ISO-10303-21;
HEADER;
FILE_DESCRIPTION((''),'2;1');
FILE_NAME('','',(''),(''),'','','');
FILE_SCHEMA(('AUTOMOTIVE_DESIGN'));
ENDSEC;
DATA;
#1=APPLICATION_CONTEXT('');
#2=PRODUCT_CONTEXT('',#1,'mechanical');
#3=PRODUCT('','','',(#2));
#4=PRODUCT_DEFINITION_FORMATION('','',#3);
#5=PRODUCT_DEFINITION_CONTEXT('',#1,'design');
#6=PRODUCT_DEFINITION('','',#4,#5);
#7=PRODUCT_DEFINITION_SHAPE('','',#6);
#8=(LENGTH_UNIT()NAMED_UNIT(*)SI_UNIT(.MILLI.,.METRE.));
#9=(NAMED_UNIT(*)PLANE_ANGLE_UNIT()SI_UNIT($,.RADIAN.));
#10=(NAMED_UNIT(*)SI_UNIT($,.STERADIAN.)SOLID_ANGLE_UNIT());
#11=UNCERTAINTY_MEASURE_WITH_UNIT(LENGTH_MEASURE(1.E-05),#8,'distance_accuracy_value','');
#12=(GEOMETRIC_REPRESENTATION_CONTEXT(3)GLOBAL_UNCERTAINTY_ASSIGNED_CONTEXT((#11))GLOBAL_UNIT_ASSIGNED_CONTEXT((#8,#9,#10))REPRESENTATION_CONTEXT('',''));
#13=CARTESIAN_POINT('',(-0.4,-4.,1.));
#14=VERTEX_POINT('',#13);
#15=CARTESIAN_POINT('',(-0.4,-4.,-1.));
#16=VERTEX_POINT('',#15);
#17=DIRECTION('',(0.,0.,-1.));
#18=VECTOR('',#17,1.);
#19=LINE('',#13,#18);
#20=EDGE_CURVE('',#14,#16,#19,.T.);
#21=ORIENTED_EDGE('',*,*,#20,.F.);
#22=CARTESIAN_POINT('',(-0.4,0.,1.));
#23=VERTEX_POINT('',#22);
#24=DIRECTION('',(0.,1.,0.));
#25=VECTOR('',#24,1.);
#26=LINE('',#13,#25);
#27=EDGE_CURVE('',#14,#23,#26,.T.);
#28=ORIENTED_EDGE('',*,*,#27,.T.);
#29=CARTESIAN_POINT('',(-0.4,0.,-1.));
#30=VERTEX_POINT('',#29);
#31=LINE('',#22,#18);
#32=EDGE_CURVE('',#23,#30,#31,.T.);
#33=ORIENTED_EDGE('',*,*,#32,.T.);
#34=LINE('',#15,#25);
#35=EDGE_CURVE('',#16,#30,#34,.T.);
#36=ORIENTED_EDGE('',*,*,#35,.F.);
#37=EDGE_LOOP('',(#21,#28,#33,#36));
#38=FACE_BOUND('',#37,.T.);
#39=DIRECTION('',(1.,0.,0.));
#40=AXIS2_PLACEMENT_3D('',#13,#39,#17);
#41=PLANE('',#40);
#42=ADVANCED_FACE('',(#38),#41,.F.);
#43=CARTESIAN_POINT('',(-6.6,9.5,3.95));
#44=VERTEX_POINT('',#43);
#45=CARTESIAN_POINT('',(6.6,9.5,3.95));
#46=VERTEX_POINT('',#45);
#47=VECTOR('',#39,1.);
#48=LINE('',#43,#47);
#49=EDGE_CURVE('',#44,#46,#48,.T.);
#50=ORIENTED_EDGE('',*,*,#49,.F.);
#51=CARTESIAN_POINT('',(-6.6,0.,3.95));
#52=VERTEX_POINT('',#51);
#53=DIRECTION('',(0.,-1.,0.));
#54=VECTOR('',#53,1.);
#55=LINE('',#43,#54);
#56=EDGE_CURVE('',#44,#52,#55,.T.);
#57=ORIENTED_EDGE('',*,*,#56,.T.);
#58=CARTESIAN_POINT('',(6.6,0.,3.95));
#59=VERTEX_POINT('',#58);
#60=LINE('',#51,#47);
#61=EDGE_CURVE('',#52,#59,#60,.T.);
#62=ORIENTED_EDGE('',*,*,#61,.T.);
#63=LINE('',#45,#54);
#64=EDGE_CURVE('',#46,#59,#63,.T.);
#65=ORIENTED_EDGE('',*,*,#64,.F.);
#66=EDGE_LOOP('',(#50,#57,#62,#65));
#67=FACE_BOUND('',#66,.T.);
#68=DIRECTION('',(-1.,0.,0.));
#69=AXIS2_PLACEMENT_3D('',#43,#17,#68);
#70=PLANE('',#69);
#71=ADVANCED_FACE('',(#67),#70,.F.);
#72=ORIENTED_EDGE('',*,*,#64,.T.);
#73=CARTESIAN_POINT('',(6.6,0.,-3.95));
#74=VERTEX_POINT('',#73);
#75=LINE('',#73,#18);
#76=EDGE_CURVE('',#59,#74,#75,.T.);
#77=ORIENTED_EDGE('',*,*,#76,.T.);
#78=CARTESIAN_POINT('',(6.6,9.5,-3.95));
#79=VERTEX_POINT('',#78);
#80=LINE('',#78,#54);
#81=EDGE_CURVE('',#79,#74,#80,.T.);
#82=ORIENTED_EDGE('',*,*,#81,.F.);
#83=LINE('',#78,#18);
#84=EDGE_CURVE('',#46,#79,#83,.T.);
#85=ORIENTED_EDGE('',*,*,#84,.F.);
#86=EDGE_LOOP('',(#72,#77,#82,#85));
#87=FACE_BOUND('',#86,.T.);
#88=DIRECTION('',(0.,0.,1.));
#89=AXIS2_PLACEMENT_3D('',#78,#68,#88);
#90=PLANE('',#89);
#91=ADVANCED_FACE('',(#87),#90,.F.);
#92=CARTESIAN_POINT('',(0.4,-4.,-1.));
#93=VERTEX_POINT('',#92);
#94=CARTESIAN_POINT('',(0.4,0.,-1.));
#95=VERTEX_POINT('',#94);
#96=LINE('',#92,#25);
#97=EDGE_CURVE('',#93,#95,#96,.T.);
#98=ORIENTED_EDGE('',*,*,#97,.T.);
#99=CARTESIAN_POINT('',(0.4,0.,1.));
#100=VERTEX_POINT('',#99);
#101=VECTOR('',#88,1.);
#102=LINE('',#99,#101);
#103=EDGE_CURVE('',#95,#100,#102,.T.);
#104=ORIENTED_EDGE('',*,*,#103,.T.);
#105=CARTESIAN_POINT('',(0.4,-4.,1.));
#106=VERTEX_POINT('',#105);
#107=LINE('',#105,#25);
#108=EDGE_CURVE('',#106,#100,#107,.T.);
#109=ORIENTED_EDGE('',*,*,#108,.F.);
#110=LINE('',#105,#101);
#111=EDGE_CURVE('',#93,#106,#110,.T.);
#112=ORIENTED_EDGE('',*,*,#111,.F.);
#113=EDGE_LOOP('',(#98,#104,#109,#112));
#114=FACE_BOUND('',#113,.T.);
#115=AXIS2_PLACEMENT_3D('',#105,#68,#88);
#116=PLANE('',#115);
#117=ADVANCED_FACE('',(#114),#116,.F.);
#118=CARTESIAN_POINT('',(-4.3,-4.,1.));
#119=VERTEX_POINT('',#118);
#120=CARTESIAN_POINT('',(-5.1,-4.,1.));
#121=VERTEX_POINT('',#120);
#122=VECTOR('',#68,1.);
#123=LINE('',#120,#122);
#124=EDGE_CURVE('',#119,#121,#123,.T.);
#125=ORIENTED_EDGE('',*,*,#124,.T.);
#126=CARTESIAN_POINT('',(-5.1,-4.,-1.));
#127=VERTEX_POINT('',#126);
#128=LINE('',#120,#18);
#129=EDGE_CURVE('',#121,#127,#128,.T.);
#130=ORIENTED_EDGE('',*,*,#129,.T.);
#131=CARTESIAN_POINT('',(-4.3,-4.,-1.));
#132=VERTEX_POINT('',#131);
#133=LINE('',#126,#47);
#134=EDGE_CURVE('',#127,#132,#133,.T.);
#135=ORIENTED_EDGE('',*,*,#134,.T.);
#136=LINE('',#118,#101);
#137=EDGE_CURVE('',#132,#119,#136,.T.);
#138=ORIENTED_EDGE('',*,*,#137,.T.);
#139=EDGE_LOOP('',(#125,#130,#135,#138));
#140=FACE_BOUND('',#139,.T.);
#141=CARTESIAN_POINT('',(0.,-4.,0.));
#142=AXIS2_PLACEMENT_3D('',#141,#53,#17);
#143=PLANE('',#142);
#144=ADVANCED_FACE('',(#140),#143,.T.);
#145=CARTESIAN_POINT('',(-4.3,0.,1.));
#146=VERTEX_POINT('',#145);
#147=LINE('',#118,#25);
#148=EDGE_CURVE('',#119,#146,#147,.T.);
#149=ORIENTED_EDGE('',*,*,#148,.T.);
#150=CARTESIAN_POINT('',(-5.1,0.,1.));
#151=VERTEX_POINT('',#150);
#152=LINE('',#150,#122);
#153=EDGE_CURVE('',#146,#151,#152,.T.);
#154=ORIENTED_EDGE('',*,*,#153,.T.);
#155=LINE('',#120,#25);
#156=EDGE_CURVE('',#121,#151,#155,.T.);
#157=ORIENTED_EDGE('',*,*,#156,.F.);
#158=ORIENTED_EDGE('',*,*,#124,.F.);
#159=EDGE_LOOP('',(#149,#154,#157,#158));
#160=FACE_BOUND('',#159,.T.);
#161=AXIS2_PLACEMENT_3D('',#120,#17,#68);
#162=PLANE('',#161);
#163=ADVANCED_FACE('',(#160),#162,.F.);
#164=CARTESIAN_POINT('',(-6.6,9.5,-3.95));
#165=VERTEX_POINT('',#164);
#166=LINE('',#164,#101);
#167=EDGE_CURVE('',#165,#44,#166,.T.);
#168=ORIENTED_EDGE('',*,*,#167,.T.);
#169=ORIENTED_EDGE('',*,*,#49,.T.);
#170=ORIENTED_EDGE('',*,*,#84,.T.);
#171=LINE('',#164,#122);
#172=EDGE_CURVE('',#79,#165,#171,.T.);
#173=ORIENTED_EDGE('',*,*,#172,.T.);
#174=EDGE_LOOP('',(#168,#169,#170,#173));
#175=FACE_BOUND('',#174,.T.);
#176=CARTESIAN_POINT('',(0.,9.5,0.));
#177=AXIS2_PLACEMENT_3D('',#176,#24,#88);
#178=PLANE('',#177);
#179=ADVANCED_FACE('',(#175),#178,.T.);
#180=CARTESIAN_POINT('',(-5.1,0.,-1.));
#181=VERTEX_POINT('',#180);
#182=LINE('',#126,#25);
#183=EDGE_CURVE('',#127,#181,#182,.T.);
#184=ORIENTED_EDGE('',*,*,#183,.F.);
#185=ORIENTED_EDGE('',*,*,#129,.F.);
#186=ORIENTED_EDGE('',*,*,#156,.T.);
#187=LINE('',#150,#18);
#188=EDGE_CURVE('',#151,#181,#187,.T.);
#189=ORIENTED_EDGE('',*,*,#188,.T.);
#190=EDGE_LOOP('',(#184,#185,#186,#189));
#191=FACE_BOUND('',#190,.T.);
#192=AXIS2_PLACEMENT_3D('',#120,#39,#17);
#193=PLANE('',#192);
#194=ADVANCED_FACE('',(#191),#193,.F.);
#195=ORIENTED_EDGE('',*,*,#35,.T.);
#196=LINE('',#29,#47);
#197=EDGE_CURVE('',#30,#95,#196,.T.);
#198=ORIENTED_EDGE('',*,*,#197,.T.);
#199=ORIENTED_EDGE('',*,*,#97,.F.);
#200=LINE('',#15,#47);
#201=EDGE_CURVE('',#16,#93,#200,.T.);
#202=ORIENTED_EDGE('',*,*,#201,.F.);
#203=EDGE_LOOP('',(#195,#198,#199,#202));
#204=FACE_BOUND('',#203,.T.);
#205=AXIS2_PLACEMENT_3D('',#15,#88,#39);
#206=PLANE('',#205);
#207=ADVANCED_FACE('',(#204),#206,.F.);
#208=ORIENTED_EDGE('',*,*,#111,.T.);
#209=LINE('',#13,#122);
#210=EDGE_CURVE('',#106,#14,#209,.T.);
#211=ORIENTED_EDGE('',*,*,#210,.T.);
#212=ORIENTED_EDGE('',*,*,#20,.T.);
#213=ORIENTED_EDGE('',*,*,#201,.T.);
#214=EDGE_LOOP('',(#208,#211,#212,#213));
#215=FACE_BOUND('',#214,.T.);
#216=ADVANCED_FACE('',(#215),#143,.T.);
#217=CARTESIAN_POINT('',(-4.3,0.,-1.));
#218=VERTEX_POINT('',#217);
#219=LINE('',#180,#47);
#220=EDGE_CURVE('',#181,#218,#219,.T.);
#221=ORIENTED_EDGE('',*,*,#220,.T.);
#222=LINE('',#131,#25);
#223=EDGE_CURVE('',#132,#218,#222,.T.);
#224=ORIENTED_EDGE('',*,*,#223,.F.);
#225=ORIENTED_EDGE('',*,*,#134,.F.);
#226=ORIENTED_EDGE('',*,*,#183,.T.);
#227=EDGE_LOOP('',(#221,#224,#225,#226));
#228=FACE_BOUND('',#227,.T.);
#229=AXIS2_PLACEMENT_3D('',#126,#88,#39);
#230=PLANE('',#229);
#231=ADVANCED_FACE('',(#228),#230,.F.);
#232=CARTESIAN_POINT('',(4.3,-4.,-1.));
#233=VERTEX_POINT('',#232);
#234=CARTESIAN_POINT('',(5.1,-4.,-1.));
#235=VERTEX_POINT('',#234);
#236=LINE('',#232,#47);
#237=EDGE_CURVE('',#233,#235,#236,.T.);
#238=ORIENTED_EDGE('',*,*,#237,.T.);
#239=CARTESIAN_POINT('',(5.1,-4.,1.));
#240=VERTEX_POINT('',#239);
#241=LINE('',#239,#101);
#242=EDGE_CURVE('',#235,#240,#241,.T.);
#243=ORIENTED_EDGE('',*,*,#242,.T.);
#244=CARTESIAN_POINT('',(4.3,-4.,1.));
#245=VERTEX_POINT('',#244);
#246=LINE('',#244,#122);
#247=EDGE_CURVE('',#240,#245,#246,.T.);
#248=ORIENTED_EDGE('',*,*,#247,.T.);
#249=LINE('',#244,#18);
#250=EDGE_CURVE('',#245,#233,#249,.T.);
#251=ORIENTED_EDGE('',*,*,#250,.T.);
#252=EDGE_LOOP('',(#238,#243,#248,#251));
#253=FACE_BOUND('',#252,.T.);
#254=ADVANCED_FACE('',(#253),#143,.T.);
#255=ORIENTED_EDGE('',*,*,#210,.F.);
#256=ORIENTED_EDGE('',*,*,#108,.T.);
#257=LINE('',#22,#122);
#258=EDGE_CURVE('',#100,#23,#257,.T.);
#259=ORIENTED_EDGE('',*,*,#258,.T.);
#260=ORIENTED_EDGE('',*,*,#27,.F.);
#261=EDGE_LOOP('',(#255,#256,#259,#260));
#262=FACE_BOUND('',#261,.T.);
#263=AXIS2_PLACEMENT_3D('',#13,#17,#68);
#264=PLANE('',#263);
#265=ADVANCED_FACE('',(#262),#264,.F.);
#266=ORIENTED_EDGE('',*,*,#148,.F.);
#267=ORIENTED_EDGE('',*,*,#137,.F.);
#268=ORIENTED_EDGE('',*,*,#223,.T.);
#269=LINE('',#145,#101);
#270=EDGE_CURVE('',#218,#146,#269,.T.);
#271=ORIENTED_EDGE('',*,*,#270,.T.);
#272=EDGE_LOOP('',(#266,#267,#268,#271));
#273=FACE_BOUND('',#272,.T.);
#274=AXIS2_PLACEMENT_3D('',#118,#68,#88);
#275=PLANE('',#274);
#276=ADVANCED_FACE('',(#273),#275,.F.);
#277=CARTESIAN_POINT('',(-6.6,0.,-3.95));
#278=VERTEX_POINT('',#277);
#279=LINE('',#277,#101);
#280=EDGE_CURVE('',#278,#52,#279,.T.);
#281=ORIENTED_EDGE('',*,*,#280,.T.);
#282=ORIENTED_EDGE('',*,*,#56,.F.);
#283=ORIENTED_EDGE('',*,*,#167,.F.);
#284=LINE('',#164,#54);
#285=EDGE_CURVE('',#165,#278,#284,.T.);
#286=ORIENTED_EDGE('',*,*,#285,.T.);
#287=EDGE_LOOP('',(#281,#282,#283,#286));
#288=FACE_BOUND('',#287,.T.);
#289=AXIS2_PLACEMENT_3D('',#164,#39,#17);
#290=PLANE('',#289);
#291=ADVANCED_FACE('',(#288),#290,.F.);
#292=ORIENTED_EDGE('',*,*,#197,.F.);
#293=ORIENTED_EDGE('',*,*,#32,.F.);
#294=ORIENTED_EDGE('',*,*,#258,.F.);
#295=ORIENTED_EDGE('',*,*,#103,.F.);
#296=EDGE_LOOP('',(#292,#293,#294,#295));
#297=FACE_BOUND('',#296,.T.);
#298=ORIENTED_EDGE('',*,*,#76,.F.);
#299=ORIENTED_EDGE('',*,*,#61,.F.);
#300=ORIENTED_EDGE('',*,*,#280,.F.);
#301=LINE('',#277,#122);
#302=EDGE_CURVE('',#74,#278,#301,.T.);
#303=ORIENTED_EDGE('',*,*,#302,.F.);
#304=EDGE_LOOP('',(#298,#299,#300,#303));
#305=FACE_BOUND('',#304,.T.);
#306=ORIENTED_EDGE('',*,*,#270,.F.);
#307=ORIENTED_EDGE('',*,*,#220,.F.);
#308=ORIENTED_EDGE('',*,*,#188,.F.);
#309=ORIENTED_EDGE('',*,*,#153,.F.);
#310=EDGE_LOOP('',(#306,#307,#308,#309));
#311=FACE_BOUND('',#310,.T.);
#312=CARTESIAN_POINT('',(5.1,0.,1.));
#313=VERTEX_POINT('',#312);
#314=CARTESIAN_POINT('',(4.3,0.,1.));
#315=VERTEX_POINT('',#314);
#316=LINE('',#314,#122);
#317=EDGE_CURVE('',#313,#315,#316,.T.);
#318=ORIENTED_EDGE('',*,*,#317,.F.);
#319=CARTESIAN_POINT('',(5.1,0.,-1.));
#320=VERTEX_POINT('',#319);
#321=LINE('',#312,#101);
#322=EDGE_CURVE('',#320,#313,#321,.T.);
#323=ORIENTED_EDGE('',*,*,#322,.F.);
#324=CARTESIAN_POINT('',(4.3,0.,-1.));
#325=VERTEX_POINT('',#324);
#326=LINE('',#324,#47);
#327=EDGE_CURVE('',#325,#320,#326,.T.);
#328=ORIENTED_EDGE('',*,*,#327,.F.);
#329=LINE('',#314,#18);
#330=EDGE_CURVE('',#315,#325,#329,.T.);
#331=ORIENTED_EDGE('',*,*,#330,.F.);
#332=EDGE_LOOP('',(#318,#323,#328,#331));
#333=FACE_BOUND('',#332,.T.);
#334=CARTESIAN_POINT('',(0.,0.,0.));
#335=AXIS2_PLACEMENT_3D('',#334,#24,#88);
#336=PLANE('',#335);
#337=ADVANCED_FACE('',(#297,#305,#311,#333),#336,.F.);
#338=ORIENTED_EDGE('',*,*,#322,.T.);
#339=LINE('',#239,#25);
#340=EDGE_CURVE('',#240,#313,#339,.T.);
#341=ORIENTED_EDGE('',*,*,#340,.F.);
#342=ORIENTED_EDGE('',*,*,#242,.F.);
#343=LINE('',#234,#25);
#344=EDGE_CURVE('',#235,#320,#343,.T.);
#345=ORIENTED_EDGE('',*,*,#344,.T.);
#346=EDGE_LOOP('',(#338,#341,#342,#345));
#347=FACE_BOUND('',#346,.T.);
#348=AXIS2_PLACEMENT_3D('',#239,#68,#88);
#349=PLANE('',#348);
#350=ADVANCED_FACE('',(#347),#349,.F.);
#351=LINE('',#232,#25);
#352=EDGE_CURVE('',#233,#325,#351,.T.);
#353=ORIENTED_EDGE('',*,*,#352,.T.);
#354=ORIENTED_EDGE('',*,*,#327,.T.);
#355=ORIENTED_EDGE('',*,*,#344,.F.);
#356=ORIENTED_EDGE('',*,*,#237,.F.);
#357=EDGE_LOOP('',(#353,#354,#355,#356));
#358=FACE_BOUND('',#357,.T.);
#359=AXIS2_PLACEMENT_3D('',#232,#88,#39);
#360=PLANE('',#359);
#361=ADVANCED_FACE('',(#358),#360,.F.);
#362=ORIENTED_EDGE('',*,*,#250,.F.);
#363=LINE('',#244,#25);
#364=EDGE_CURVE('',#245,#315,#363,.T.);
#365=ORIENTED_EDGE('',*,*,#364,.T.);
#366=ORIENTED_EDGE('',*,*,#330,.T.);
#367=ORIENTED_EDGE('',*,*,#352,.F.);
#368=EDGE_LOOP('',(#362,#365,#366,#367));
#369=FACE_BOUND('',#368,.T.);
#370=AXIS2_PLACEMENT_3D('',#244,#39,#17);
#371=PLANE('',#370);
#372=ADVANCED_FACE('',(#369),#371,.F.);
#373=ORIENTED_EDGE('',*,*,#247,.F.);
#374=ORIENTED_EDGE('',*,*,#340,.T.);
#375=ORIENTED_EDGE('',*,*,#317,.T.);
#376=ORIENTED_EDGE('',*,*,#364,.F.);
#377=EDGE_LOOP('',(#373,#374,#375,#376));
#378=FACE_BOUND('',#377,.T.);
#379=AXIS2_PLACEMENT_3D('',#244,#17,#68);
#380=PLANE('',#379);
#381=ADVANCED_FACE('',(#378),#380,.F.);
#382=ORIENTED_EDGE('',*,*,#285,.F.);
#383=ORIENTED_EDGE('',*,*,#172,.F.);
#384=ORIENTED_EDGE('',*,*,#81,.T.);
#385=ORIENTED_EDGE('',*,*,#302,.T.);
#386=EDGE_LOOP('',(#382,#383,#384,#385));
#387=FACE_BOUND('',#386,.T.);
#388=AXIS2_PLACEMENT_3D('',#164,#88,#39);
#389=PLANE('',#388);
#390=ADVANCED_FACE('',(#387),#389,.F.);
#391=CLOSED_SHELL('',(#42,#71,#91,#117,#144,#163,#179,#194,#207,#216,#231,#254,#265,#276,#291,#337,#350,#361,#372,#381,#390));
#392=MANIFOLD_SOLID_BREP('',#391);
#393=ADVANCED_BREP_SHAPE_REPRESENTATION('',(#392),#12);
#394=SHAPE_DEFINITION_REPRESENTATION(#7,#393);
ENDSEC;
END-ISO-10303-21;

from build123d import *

# Parameters (mm, degrees)
SKETCH1_W           = 13.2
SKETCH1_H           = 7.9
BOSS_EXTRUDE1_DEPTH = 9.5
SKETCH2_W           = 0.8
SKETCH2_H           = 2
BOSS_EXTRUDE2_DEPTH = 4


with BuildPart() as part:
    # Sketch1 → Boss-Extrude1 (new body)
    with BuildSketch(Plane(origin=(0, 0, 0), x_dir=(1, 0, 0), z_dir=(0, 1, 0))):
        Rectangle(SKETCH1_W, SKETCH1_H)
    extrude(amount=BOSS_EXTRUDE1_DEPTH)

    # Sketch2 → Boss-Extrude2 (add)
    with BuildSketch(Plane.XZ):
        Rectangle(SKETCH2_W, SKETCH2_H)
        with Locations((4.7, 0)):
            Rectangle(SKETCH2_W, SKETCH2_H)
        with Locations((-4.7, 0)):
            Rectangle(SKETCH2_W, SKETCH2_H)
    extrude(amount=BOSS_EXTRUDE2_DEPTH)


solid = part.part
